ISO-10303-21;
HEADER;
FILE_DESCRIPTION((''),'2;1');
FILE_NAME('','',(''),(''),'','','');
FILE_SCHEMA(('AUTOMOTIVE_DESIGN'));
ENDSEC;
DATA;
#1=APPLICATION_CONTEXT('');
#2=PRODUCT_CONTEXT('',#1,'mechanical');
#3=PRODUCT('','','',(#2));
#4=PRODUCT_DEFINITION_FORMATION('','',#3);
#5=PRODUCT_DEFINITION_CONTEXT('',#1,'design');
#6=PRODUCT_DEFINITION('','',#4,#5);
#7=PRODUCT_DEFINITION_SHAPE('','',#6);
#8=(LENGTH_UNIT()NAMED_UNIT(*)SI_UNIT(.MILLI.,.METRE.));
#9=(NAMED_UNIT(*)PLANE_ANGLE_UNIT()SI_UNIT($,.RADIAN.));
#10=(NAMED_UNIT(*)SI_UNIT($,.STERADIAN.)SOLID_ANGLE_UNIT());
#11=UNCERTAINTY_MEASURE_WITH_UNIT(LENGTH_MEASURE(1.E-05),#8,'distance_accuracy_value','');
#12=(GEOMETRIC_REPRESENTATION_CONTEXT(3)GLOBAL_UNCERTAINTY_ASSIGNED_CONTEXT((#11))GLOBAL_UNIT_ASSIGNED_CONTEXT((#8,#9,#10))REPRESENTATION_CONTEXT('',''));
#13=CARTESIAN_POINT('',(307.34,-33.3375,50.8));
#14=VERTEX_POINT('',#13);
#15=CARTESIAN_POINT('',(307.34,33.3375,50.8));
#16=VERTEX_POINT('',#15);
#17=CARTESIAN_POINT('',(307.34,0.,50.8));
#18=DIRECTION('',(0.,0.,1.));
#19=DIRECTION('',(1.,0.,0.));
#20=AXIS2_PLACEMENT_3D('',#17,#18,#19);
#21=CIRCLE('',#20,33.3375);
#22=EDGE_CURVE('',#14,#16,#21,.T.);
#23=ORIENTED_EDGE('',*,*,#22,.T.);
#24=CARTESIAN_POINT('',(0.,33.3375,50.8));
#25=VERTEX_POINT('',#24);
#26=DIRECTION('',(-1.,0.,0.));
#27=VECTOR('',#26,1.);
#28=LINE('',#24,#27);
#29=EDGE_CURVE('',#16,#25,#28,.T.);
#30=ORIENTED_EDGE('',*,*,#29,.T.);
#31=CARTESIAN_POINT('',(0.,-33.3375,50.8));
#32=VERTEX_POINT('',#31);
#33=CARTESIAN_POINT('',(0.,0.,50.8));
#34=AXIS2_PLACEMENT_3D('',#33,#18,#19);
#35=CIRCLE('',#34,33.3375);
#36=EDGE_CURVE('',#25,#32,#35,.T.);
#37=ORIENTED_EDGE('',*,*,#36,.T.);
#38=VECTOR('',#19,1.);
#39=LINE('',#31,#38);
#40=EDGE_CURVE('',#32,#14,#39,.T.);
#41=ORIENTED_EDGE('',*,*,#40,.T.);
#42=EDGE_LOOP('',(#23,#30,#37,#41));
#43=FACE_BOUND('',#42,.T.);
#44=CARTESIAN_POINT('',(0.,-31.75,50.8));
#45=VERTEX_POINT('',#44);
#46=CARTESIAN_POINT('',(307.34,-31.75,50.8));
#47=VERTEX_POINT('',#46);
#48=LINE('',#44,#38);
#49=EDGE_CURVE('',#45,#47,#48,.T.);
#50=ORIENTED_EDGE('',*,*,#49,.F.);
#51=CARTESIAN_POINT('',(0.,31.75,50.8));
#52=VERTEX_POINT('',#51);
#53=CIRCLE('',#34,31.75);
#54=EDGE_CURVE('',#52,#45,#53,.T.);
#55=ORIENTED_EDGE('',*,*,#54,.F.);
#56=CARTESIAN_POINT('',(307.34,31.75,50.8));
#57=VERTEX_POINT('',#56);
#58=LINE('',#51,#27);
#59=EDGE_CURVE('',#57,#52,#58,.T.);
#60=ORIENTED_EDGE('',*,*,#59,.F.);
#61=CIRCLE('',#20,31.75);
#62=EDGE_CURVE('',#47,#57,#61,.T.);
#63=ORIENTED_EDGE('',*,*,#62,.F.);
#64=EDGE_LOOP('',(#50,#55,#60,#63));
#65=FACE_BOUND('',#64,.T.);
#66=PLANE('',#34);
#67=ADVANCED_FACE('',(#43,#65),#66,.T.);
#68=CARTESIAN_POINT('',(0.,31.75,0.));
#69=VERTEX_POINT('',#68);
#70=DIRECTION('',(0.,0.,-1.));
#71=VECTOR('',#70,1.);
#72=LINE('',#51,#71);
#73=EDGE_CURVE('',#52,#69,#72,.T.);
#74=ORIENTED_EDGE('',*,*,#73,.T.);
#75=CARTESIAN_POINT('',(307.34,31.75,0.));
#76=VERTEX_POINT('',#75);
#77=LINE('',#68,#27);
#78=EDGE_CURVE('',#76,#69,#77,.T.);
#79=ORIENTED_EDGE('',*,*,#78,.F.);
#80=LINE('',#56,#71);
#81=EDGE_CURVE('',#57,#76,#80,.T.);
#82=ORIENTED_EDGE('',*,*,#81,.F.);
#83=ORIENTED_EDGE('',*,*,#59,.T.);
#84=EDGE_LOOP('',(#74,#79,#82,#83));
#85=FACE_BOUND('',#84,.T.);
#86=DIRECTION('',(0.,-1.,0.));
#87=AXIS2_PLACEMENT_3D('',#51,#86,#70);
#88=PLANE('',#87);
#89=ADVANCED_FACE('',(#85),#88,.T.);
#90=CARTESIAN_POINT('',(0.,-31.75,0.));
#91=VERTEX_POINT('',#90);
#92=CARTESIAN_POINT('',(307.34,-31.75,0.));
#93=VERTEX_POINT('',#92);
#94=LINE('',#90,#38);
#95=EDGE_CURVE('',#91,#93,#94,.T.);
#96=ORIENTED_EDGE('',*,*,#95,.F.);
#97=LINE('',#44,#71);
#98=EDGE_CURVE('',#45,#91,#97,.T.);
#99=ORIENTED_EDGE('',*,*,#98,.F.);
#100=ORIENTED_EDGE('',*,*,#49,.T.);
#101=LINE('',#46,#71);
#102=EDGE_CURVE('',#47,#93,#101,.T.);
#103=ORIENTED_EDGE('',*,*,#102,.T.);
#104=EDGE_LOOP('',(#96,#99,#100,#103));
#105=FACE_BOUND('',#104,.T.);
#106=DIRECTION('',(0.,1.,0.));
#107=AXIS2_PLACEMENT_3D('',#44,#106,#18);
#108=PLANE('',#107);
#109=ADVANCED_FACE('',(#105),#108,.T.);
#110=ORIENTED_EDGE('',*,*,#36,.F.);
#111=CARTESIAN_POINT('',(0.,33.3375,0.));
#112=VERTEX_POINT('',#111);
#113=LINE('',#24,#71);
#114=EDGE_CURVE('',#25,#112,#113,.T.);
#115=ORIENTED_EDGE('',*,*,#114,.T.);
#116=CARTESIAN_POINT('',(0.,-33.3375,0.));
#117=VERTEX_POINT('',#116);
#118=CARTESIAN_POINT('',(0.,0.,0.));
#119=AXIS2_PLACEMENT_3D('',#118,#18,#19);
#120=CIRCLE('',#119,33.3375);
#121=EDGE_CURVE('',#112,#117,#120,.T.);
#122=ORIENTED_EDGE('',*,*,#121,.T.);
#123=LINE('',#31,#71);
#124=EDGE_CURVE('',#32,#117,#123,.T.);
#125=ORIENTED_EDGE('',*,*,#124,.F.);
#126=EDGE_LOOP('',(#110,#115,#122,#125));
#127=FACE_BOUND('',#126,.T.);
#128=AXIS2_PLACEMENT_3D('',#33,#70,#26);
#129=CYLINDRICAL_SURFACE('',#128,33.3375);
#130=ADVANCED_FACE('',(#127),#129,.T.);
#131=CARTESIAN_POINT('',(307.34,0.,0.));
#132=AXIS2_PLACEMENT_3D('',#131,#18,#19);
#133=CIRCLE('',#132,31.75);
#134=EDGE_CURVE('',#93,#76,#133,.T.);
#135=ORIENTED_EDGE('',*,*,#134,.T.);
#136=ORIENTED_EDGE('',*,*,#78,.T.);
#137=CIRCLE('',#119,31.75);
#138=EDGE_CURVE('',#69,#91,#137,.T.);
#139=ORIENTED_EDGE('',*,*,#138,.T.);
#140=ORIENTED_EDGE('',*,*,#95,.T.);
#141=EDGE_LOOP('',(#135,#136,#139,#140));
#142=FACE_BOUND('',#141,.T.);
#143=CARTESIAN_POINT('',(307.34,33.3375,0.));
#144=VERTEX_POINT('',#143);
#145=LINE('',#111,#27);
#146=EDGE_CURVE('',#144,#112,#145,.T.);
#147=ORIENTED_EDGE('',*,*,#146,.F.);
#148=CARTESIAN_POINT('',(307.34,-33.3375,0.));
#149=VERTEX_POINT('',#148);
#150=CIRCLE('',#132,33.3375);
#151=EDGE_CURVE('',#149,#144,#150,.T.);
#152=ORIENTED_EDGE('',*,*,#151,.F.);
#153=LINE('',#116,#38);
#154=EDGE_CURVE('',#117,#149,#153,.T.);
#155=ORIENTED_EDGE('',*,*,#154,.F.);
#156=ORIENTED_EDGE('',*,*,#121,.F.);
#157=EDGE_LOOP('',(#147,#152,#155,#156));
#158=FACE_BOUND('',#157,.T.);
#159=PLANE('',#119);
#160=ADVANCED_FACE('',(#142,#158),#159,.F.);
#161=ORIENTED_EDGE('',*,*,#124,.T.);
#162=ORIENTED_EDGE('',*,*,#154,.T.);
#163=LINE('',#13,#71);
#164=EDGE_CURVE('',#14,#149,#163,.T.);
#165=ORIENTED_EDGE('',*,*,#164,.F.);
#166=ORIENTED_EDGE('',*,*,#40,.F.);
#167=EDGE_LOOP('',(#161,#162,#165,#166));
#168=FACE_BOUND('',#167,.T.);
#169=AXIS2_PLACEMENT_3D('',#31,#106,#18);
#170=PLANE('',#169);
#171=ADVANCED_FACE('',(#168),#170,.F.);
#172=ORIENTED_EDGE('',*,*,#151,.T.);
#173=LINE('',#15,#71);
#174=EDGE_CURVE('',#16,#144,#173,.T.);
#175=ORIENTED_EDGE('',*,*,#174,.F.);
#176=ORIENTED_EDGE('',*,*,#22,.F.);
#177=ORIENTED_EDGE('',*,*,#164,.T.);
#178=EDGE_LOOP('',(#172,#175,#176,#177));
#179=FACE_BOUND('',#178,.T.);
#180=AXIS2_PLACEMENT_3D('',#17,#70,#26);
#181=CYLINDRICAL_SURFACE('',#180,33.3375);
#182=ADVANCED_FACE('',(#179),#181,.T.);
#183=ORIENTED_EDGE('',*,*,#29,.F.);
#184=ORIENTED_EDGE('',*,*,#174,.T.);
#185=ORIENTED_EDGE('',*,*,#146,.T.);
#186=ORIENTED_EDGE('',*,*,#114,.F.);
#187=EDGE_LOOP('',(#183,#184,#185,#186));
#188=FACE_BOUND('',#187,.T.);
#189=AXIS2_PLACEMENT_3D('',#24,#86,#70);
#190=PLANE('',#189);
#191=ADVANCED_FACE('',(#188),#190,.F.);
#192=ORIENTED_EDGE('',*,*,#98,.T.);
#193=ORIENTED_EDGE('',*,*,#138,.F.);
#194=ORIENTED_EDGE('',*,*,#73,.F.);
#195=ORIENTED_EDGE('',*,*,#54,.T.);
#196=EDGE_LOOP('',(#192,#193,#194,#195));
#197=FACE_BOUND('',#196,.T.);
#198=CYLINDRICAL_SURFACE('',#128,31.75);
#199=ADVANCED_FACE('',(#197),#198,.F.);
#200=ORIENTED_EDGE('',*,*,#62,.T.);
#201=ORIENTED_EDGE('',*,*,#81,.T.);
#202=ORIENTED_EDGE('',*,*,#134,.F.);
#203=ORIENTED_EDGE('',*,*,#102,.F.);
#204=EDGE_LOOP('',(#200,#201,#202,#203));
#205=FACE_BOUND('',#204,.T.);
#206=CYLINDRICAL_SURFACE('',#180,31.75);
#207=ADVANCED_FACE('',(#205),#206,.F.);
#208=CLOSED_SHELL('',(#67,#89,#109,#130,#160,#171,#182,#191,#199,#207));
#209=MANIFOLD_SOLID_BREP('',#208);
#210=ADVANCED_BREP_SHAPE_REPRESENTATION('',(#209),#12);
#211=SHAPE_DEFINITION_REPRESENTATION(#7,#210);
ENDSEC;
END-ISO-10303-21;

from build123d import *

# Parameters (mm, degrees)
BOSS_EXTRUDE1_DEPTH = 50.8


with BuildPart() as part:
    # Sketch1 → Boss-Extrude1 (new body)
    with BuildSketch(Plane.XY):
        with BuildLine():
            Line((0, 33.3375), (307.34, 33.3375))
            ThreePointArc((307.34, 33.3375), (340.6775, 0), (307.34, -33.3375))
            Line((307.34, -33.3375), (0, -33.3375))
            ThreePointArc((0, -33.3375), (-33.3375, 0), (0, 33.3375))
        make_face()
        with BuildLine():
            Line((0, 31.75), (307.34, 31.75))
            ThreePointArc((307.34, 31.75), (339.09, 0), (307.34, -31.75))
            Line((307.34, -31.75), (0, -31.75))
            ThreePointArc((0, -31.75), (-31.75, 0), (0, 31.75))
        make_face(mode=Mode.SUBTRACT)
    extrude(amount=BOSS_EXTRUDE1_DEPTH)


solid = part.part
